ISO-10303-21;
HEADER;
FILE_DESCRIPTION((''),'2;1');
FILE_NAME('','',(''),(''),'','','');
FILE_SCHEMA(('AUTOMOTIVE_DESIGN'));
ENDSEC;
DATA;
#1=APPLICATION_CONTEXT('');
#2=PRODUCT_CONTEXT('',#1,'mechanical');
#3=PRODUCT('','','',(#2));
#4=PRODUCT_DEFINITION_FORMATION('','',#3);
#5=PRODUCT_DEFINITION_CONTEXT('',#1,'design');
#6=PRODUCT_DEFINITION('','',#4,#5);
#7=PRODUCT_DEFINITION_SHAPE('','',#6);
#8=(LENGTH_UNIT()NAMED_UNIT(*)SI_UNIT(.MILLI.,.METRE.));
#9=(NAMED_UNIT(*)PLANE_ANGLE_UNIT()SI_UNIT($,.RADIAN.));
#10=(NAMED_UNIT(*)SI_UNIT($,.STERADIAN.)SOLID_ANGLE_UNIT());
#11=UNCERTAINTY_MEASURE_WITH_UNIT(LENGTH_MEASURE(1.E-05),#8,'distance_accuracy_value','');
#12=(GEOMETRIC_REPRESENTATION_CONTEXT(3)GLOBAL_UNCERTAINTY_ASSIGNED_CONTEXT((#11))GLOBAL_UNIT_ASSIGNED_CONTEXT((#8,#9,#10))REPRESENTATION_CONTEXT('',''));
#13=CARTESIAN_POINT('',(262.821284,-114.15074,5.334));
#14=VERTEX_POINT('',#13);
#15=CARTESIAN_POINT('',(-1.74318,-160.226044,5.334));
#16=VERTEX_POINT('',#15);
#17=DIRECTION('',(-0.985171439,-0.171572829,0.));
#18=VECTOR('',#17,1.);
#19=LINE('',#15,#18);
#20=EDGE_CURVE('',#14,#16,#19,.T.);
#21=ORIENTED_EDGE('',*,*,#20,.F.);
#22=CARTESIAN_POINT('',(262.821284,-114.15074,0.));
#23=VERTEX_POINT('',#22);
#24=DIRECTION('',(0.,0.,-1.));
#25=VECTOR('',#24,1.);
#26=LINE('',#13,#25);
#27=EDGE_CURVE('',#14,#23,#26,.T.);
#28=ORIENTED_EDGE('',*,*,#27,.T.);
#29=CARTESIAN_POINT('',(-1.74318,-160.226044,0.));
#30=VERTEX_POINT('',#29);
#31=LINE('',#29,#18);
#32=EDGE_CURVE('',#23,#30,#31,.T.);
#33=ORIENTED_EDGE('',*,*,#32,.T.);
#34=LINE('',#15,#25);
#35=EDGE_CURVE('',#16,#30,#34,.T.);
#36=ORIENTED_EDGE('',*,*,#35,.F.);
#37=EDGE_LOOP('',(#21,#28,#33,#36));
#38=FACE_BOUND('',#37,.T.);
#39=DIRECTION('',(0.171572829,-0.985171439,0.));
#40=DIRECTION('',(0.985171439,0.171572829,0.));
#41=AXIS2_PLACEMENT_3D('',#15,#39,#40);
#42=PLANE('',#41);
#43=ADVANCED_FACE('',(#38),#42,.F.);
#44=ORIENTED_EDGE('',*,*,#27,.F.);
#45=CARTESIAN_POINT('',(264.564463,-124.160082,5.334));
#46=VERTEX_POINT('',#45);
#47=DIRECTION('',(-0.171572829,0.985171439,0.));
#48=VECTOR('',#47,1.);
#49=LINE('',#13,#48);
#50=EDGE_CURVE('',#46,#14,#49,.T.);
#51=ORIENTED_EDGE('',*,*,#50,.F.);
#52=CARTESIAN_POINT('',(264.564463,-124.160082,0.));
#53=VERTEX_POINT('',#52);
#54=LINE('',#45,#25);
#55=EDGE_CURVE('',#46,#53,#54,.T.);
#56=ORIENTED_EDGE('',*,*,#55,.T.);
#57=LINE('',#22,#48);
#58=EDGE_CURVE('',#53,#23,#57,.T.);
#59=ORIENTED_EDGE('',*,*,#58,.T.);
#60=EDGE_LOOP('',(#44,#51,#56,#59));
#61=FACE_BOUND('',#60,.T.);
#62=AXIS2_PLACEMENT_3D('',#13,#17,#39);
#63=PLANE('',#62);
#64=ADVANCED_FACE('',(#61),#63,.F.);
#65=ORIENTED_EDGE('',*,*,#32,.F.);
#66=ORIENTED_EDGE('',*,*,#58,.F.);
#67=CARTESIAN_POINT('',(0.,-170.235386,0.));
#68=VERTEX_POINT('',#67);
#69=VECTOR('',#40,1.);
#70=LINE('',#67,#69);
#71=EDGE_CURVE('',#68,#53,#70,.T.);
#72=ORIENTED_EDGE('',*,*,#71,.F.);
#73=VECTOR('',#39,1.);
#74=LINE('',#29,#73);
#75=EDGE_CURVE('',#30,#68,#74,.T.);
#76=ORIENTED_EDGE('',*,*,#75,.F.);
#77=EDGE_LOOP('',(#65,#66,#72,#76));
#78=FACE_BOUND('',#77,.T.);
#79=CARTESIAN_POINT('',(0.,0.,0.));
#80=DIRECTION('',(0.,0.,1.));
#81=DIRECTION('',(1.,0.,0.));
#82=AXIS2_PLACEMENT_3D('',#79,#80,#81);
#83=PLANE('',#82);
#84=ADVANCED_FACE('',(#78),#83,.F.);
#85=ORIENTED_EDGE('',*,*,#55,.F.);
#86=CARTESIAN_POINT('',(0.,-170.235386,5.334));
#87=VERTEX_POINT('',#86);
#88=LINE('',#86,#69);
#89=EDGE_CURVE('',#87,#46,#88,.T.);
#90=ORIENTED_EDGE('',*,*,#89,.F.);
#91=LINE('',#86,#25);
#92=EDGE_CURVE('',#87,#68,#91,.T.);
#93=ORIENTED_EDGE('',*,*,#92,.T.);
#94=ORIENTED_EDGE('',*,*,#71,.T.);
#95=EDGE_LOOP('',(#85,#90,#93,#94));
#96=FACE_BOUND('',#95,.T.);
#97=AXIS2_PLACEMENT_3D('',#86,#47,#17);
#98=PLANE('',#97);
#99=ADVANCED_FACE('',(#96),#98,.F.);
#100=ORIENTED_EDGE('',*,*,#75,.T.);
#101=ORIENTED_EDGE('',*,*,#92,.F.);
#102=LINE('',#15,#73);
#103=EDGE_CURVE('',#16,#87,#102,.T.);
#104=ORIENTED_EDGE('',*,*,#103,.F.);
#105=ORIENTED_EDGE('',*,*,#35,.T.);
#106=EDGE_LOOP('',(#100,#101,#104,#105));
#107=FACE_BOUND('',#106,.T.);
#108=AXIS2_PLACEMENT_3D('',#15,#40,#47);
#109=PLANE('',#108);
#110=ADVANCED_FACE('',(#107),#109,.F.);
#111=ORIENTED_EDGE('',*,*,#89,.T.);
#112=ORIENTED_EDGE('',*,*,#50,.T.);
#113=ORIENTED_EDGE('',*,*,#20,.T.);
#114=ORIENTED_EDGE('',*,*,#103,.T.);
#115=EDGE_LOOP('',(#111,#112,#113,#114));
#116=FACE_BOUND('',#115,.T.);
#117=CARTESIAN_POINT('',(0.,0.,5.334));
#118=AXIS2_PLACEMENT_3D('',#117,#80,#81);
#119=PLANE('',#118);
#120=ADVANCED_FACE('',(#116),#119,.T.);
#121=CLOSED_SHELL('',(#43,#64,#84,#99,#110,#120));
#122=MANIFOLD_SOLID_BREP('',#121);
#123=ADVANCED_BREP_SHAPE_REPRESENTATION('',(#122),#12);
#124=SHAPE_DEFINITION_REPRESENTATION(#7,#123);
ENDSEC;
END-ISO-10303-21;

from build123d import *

# Parameters (mm, degrees)
BOSS_EXTRUDE1_DEPTH = 5.334


with BuildPart() as part:
    # Sketch1 → Boss-Extrude1 (new body)
    with BuildSketch(Plane.XY):
        Polygon((-1.743179942, -160.226043692), (262.821283521, -114.150739808), (264.564463463, -124.160081629), (0, -170.235385513), align=None)
    extrude(amount=BOSS_EXTRUDE1_DEPTH)


solid = part.part
